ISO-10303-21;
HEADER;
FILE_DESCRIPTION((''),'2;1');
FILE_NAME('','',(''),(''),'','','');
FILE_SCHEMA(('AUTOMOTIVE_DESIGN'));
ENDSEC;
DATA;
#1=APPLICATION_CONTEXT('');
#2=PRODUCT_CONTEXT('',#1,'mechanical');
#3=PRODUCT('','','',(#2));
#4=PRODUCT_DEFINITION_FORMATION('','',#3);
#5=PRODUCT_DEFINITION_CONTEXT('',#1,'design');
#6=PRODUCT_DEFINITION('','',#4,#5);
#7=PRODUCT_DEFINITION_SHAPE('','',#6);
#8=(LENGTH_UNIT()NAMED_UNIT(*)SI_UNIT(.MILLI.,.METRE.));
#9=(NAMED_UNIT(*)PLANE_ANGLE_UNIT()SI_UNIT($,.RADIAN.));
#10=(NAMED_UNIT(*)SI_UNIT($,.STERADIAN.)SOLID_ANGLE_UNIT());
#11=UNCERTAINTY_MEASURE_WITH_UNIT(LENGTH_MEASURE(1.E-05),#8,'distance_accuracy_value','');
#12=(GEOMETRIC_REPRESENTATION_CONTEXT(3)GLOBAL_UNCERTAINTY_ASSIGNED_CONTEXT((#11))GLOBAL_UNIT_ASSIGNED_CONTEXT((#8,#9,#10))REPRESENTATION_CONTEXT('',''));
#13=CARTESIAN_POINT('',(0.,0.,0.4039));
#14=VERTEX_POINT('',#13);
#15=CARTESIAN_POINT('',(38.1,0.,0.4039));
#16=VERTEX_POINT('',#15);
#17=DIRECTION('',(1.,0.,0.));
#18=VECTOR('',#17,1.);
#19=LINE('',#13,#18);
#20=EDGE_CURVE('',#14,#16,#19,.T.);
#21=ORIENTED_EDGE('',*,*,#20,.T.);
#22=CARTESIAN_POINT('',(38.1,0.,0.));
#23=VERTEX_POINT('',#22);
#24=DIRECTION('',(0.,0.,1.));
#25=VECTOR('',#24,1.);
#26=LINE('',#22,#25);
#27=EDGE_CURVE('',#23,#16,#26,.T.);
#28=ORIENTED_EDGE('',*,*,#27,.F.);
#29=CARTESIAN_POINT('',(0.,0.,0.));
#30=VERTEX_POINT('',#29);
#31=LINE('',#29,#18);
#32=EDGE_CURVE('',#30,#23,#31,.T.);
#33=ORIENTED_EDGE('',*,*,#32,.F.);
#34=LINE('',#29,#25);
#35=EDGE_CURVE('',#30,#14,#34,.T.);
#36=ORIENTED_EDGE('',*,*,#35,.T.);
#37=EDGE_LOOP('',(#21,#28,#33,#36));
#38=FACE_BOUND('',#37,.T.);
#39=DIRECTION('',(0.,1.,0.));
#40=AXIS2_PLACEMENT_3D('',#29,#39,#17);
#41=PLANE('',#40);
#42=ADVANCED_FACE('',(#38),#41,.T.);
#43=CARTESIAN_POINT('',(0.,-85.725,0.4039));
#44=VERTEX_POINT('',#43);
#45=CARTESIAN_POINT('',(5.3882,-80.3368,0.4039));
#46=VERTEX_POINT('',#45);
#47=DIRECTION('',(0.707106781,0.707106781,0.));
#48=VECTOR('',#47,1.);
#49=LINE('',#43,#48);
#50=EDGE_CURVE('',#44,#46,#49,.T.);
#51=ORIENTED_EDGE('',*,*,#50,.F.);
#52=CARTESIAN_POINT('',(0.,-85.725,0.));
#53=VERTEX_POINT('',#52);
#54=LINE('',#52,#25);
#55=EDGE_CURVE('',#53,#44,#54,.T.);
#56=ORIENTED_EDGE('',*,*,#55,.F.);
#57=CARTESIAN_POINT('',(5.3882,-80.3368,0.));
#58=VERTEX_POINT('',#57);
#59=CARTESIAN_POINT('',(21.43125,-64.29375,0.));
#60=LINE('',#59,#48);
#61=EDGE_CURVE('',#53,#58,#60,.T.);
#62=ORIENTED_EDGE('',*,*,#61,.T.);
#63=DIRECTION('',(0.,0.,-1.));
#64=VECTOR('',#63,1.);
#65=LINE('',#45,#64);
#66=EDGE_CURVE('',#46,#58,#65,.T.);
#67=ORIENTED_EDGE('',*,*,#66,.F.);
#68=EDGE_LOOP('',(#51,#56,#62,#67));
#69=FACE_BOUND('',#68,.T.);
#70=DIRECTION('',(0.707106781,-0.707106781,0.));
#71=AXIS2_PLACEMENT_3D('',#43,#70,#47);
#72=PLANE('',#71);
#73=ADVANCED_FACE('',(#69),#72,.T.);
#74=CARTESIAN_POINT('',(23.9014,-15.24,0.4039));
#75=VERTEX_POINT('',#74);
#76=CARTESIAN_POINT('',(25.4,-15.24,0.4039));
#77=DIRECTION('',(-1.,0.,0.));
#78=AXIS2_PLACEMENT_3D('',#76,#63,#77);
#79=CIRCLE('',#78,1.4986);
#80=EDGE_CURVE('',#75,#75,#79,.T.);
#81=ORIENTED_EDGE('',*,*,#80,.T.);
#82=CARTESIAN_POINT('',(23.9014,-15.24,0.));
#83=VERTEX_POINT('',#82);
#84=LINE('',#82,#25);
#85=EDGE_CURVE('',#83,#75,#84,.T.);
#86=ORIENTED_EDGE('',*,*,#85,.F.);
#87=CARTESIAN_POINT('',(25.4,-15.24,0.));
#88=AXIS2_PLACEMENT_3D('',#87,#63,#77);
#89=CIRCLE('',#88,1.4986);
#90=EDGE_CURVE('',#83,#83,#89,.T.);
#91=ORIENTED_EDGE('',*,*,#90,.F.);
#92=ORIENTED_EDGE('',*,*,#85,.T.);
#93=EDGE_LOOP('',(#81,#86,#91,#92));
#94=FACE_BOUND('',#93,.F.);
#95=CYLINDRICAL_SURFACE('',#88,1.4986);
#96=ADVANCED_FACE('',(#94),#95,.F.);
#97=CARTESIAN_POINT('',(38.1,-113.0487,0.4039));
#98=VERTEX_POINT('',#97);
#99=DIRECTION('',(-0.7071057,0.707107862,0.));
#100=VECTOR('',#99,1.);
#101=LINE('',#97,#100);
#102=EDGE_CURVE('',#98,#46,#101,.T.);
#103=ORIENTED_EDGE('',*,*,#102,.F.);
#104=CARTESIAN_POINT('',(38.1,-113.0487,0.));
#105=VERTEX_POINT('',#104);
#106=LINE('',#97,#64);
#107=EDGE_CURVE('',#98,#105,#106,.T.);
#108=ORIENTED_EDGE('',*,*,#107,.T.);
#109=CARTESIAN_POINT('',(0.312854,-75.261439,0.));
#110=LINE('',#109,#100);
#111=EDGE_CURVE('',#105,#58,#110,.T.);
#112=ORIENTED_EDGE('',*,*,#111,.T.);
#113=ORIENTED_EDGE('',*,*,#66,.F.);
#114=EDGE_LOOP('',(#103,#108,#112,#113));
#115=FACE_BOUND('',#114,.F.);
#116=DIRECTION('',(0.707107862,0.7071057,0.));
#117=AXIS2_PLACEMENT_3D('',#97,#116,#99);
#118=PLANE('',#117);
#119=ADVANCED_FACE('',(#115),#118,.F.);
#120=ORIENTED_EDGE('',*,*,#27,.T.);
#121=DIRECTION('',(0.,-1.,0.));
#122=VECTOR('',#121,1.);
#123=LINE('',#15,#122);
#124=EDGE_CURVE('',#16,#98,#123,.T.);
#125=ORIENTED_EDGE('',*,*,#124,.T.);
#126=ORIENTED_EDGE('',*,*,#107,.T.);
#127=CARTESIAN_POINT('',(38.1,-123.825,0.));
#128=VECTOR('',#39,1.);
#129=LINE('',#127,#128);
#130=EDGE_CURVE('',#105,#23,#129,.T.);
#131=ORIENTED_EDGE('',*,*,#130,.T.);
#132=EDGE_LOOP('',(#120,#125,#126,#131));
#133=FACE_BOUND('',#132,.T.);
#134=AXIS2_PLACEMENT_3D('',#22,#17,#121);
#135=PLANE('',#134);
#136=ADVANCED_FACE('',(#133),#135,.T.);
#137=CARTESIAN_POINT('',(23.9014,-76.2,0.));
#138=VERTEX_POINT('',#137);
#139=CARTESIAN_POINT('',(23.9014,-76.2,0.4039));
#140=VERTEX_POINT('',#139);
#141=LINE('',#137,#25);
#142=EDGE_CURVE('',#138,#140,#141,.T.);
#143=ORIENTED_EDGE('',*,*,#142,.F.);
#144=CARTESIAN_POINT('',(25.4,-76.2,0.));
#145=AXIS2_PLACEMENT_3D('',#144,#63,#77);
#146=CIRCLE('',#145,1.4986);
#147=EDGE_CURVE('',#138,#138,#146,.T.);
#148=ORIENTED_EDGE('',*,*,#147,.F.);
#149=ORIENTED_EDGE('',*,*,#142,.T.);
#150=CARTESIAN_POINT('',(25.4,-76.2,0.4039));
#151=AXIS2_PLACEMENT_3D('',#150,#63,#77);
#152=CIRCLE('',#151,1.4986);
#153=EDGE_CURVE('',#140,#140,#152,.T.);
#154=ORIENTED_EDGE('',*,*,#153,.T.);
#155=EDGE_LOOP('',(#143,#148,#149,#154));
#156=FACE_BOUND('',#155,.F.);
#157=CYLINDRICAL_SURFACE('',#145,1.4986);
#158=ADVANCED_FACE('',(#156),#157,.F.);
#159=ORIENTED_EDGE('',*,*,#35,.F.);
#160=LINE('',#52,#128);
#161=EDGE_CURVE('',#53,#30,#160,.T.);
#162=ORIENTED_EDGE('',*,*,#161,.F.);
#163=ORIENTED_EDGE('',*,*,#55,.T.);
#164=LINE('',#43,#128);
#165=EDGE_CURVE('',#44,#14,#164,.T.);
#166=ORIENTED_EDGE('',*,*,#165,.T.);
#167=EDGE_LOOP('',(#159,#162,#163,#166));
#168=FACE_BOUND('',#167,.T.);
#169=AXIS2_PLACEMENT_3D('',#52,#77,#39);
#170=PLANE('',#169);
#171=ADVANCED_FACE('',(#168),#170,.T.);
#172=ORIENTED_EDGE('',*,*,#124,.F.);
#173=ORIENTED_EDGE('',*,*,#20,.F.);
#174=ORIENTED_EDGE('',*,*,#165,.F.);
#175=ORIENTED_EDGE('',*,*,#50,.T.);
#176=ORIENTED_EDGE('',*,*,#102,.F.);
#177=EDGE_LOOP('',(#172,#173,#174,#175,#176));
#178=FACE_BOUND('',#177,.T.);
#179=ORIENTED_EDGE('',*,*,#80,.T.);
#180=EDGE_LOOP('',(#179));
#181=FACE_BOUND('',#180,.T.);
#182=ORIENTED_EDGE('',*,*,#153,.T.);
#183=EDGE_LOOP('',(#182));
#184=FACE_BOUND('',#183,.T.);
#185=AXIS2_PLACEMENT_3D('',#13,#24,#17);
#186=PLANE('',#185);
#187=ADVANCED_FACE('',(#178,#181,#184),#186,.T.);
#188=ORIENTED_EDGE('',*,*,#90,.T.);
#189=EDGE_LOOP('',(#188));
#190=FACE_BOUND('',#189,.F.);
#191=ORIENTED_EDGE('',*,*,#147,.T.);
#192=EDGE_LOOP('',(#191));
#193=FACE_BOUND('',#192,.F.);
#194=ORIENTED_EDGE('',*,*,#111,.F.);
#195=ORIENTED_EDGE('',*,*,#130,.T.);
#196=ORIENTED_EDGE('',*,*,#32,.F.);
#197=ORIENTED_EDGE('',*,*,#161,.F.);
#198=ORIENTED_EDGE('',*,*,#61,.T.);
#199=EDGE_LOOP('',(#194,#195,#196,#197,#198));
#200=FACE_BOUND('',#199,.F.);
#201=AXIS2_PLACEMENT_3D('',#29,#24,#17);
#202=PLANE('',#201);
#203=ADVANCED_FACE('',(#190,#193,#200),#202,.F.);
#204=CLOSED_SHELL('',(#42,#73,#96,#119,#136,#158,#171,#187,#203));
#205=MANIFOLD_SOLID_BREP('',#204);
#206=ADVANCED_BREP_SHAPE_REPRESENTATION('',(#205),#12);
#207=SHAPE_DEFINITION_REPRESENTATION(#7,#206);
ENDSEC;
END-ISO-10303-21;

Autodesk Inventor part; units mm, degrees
ref_plane "YZ Plane" through (0, 0, 0) normal (1, 0, 0) x (0, 1, 0)
ref_plane "XZ Plane" through (0, 0, 0) normal (0, 1, 0) x (-1, 0, 0)
ref_plane "XY Plane" through (0, 0, 0) normal (0, 0, 1) x (1, 0, 0)
sketch "Sketch1" plane through (0, 0, 0) normal (0, 0, 1) x (1, 0, 0)
  line L0 (0, 0) -> (38.1, 0)
  line L1 (38.1, 0) -> (38.1, -85.725)
  line L2 (38.1, -85.725) -> (0, -85.725)
  line L3 (0, -85.725) -> (0, 0)
  line L4 (38.1, -85.725) -> (38.1, -123.825)
  line L5 (38.1, -123.825) -> (0, -85.725)
  dimension "d0" = 38.1
  dimension "d1" = 85.725
  dimension "d4" = 38.1
extrude "Extrusion1" add sketch "Sketch1" along normal blind 0.4039 contours L0 L1 L2 L3
extrude "Extrusion2" add sketch "Sketch1" along normal blind 0.4039 contours L2 L4 L5
sketch "Sketch2" plane through (0, 0, 0.4039) normal (0, 0, 1) x (1, 0, 0)
  line L0 (0, -85.725) -> (38.1, -123.825) projected
  line L1 (38.1, -123.825) -> (38.1, 0) projected
  line L2 (38.1, -113.0487) -> (5.3882, -80.3368)
  line L3 (0, -85.725) -> (5.3882, -80.3368)
  line L4 (38.1, -113.0487) -> (38.1, -123.825)
  line L5 (38.1, -123.825) -> (0, -85.725)
  line L6 (0, -85.725) -> (5.3882, -80.3368)
  line L7 (5.3882, -80.3368) -> (38.1, -113.0487)
  line L8 (38.1, -113.0487) -> (38.1, -123.825)
  line L9 (38.1, -123.825) -> (0, -85.725)
  dimension "d7" = 7.62
extrude "Extrusion3" cut sketch "Sketch2" against normal blind 25.4
sketch "Sketch3" plane through (0, 0, 0) normal (0, 0, -1) x (-1, 0, 0)
  circle A0 centre (-25.4, -15.24) radius 1.4986
  circle A1 centre (-25.4, -76.2) radius 1.4986
  line L0 (0, 0) -> (-38.1, 0) projected
  line L1 (-38.1, 0) -> (-38.1, -113.0487) projected
  dimension "d19" = 2.9972
  dimension "d20" = 15.24
  dimension "d21" = 12.7
  dimension "d22" = 12.7
extrude "Extrusion4" cut sketch "Sketch3" against normal blind 25.4
properties part number "Plate_InnerSide_Alu25" material "Aluminum 6061"
